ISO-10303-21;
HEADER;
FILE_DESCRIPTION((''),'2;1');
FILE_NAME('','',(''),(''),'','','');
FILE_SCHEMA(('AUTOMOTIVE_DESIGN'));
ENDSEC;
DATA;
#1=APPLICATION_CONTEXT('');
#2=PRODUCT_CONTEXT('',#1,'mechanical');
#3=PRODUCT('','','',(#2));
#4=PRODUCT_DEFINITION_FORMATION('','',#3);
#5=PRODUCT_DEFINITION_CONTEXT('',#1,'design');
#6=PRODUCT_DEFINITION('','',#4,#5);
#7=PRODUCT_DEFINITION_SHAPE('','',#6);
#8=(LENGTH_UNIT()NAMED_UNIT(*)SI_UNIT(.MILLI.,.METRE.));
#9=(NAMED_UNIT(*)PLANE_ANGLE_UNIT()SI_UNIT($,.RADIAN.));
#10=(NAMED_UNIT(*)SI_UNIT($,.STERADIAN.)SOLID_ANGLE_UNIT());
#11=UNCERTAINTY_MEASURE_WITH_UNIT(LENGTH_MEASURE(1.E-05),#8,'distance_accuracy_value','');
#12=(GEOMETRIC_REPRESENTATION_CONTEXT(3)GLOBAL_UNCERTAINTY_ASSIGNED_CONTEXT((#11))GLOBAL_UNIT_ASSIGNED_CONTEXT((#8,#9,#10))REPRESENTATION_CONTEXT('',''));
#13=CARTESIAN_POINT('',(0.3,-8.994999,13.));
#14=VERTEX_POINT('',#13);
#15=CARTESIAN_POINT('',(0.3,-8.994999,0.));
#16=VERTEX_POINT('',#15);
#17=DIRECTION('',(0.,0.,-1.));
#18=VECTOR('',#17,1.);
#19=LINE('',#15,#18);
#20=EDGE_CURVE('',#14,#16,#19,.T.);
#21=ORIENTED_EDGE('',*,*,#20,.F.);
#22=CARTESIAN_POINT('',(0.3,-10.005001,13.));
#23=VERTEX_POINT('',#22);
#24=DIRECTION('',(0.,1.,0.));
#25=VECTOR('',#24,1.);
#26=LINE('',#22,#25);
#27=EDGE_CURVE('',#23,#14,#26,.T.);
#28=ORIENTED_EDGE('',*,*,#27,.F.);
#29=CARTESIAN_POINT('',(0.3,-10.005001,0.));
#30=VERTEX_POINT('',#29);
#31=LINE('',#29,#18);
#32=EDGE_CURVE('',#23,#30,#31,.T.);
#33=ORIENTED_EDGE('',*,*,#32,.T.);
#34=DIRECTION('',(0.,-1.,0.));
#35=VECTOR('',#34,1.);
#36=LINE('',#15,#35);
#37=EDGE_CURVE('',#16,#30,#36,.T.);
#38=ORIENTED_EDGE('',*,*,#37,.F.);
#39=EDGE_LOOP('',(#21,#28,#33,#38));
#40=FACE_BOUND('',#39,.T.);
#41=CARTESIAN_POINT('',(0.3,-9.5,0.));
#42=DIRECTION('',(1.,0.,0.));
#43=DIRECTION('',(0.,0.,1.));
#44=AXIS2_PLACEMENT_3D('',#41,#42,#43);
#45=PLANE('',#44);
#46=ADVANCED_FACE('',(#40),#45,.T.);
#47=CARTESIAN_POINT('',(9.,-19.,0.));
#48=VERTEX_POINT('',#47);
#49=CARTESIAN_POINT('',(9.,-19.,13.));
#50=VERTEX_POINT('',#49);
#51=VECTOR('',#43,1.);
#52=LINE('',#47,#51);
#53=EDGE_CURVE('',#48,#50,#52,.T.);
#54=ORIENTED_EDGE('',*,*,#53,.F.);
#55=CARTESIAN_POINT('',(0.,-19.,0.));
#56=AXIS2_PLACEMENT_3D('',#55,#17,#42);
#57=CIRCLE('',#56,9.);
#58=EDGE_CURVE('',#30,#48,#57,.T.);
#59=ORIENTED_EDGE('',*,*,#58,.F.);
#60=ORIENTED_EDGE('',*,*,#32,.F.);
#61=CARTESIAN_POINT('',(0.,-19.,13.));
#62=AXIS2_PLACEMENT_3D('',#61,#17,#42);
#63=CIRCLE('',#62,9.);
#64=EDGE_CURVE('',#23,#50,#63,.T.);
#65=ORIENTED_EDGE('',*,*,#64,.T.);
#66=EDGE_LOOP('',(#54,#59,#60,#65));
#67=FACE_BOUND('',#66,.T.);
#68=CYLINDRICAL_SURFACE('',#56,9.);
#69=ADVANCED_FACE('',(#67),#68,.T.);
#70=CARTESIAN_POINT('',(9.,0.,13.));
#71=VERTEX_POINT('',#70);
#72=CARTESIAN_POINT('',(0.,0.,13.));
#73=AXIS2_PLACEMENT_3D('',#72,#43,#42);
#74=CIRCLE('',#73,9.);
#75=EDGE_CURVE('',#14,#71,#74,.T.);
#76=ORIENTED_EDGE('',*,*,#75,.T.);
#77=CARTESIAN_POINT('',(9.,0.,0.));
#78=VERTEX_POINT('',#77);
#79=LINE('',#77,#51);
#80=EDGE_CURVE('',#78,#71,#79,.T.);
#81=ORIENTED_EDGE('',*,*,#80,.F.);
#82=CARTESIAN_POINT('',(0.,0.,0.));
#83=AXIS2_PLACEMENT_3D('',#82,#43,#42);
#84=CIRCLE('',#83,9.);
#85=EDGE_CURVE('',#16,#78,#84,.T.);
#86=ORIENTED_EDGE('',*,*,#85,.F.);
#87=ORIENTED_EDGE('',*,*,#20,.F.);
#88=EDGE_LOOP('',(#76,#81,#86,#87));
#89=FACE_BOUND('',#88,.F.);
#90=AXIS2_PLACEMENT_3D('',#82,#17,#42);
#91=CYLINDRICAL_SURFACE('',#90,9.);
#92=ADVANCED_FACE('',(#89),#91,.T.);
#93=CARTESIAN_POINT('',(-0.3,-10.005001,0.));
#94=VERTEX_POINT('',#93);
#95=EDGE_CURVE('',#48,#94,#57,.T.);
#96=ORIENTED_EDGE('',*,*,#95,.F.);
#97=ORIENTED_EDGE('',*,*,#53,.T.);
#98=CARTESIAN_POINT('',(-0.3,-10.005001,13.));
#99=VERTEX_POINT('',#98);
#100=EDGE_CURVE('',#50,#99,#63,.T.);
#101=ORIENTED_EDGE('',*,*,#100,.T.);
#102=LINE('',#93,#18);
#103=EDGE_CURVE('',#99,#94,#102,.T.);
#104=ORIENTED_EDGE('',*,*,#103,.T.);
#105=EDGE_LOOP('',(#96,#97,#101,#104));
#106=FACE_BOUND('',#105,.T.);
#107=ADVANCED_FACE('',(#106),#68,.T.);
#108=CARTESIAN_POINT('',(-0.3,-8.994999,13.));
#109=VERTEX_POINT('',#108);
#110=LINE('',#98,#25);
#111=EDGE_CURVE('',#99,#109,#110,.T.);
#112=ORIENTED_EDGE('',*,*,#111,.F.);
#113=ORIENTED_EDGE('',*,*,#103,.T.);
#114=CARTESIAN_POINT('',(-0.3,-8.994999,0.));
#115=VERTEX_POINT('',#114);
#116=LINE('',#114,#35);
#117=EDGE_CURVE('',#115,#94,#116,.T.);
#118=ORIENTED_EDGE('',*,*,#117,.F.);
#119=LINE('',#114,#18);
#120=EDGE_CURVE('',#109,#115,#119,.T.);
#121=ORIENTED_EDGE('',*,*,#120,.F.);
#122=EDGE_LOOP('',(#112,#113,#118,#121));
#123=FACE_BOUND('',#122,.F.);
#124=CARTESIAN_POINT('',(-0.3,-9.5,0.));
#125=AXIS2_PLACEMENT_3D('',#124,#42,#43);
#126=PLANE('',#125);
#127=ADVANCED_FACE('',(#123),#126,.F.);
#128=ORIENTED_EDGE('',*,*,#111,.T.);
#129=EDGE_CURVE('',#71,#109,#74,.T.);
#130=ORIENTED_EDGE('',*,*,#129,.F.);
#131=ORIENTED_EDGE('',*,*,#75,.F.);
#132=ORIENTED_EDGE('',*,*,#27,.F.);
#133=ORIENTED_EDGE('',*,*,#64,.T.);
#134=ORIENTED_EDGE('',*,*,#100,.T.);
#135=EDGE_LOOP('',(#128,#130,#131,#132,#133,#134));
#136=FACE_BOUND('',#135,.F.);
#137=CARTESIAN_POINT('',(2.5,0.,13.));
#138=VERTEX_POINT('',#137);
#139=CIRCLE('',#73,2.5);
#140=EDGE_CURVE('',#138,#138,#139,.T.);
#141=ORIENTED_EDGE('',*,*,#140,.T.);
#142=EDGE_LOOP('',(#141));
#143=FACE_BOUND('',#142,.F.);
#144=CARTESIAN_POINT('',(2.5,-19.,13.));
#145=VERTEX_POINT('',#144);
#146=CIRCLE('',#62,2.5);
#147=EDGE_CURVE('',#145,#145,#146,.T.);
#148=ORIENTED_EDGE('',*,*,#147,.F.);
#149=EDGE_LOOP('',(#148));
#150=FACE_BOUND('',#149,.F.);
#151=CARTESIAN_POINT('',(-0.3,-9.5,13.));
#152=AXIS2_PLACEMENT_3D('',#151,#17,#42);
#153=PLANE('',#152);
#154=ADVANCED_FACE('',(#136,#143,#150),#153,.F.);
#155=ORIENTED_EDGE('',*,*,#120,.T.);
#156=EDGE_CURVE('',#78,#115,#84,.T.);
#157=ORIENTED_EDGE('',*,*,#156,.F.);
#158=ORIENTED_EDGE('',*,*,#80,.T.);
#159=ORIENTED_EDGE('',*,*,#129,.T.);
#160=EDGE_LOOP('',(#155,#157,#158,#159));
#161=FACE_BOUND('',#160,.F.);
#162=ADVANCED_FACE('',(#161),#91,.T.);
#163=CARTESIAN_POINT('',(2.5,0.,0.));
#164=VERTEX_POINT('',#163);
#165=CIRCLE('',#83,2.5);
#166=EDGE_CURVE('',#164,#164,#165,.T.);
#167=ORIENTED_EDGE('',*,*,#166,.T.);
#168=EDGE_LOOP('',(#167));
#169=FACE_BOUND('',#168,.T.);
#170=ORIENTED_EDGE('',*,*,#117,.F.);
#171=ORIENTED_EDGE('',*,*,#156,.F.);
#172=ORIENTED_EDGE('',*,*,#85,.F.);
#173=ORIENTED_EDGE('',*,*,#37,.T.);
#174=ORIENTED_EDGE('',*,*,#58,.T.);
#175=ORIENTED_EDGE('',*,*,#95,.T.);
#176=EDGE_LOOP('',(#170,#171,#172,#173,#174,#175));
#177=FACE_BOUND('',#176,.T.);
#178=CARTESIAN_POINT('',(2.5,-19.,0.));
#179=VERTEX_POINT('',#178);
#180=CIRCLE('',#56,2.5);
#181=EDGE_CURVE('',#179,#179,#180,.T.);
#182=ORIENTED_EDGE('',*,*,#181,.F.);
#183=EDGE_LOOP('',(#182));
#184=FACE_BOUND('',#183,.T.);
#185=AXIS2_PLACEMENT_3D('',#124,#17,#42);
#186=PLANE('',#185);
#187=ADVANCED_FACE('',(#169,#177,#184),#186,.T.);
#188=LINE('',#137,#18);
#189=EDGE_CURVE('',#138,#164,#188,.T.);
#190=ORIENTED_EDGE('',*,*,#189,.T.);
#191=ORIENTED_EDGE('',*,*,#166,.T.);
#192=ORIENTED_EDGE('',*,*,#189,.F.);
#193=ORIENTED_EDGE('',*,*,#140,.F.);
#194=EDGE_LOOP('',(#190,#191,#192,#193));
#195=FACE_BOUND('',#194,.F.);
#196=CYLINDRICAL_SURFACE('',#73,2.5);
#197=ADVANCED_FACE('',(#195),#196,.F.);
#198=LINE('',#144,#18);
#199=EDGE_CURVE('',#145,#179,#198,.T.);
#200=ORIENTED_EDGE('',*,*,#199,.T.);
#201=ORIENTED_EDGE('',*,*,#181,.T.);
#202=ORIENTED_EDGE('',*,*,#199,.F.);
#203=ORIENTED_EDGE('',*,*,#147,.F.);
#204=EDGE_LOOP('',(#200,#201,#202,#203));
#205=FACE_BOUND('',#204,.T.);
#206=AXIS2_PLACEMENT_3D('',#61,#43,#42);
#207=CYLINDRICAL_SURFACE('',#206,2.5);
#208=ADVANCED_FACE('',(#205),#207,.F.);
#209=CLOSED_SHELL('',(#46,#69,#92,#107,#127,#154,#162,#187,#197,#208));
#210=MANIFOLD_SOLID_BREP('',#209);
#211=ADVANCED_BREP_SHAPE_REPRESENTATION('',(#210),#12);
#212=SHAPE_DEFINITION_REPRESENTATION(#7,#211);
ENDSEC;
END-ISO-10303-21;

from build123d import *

# Parameters (mm, degrees)
F0_R          = 9
F1_DEPTH      = 13
F2_R          = 2.5
F3_DEPTH      = 13.001
F5_W          = 0.6
F5_H          = 13
F7_DEPTH      = 1.5050013897
F7_DEPTH_BACK = 1.5050013897


with BuildPart() as f1:
    # F0 (on Top) → F1 (new body)
    with BuildSketch(Plane.XY):
        Circle(F0_R)
    extrude(amount=F1_DEPTH)

    # F2 (on face) → F3 (cut, through all)
    with BuildSketch(Plane.XY.offset(13)):
        Circle(F2_R)
    extrude(amount=-F3_DEPTH, mode=Mode.SUBTRACT)


with BuildPart() as f6_1:
    # F6: instance of F1
    add(f1.part.mirror(Plane.XZ.offset(9.5)))


with BuildPart() as f1_1:
    add(f1.part)

    add(f6_1.part)  # F7 merges F6_1
    # F5 (on offset) → F7 (join, two sides)
    with BuildSketch(Plane.XZ.offset(9.5)) as f7_sk:
        with Locations((0, 6.5)):
            Rectangle(F5_W, F5_H)
    extrude(amount=F7_DEPTH)
    extrude(f7_sk.sketch, amount=-F7_DEPTH_BACK)


solid = f1_1.part
